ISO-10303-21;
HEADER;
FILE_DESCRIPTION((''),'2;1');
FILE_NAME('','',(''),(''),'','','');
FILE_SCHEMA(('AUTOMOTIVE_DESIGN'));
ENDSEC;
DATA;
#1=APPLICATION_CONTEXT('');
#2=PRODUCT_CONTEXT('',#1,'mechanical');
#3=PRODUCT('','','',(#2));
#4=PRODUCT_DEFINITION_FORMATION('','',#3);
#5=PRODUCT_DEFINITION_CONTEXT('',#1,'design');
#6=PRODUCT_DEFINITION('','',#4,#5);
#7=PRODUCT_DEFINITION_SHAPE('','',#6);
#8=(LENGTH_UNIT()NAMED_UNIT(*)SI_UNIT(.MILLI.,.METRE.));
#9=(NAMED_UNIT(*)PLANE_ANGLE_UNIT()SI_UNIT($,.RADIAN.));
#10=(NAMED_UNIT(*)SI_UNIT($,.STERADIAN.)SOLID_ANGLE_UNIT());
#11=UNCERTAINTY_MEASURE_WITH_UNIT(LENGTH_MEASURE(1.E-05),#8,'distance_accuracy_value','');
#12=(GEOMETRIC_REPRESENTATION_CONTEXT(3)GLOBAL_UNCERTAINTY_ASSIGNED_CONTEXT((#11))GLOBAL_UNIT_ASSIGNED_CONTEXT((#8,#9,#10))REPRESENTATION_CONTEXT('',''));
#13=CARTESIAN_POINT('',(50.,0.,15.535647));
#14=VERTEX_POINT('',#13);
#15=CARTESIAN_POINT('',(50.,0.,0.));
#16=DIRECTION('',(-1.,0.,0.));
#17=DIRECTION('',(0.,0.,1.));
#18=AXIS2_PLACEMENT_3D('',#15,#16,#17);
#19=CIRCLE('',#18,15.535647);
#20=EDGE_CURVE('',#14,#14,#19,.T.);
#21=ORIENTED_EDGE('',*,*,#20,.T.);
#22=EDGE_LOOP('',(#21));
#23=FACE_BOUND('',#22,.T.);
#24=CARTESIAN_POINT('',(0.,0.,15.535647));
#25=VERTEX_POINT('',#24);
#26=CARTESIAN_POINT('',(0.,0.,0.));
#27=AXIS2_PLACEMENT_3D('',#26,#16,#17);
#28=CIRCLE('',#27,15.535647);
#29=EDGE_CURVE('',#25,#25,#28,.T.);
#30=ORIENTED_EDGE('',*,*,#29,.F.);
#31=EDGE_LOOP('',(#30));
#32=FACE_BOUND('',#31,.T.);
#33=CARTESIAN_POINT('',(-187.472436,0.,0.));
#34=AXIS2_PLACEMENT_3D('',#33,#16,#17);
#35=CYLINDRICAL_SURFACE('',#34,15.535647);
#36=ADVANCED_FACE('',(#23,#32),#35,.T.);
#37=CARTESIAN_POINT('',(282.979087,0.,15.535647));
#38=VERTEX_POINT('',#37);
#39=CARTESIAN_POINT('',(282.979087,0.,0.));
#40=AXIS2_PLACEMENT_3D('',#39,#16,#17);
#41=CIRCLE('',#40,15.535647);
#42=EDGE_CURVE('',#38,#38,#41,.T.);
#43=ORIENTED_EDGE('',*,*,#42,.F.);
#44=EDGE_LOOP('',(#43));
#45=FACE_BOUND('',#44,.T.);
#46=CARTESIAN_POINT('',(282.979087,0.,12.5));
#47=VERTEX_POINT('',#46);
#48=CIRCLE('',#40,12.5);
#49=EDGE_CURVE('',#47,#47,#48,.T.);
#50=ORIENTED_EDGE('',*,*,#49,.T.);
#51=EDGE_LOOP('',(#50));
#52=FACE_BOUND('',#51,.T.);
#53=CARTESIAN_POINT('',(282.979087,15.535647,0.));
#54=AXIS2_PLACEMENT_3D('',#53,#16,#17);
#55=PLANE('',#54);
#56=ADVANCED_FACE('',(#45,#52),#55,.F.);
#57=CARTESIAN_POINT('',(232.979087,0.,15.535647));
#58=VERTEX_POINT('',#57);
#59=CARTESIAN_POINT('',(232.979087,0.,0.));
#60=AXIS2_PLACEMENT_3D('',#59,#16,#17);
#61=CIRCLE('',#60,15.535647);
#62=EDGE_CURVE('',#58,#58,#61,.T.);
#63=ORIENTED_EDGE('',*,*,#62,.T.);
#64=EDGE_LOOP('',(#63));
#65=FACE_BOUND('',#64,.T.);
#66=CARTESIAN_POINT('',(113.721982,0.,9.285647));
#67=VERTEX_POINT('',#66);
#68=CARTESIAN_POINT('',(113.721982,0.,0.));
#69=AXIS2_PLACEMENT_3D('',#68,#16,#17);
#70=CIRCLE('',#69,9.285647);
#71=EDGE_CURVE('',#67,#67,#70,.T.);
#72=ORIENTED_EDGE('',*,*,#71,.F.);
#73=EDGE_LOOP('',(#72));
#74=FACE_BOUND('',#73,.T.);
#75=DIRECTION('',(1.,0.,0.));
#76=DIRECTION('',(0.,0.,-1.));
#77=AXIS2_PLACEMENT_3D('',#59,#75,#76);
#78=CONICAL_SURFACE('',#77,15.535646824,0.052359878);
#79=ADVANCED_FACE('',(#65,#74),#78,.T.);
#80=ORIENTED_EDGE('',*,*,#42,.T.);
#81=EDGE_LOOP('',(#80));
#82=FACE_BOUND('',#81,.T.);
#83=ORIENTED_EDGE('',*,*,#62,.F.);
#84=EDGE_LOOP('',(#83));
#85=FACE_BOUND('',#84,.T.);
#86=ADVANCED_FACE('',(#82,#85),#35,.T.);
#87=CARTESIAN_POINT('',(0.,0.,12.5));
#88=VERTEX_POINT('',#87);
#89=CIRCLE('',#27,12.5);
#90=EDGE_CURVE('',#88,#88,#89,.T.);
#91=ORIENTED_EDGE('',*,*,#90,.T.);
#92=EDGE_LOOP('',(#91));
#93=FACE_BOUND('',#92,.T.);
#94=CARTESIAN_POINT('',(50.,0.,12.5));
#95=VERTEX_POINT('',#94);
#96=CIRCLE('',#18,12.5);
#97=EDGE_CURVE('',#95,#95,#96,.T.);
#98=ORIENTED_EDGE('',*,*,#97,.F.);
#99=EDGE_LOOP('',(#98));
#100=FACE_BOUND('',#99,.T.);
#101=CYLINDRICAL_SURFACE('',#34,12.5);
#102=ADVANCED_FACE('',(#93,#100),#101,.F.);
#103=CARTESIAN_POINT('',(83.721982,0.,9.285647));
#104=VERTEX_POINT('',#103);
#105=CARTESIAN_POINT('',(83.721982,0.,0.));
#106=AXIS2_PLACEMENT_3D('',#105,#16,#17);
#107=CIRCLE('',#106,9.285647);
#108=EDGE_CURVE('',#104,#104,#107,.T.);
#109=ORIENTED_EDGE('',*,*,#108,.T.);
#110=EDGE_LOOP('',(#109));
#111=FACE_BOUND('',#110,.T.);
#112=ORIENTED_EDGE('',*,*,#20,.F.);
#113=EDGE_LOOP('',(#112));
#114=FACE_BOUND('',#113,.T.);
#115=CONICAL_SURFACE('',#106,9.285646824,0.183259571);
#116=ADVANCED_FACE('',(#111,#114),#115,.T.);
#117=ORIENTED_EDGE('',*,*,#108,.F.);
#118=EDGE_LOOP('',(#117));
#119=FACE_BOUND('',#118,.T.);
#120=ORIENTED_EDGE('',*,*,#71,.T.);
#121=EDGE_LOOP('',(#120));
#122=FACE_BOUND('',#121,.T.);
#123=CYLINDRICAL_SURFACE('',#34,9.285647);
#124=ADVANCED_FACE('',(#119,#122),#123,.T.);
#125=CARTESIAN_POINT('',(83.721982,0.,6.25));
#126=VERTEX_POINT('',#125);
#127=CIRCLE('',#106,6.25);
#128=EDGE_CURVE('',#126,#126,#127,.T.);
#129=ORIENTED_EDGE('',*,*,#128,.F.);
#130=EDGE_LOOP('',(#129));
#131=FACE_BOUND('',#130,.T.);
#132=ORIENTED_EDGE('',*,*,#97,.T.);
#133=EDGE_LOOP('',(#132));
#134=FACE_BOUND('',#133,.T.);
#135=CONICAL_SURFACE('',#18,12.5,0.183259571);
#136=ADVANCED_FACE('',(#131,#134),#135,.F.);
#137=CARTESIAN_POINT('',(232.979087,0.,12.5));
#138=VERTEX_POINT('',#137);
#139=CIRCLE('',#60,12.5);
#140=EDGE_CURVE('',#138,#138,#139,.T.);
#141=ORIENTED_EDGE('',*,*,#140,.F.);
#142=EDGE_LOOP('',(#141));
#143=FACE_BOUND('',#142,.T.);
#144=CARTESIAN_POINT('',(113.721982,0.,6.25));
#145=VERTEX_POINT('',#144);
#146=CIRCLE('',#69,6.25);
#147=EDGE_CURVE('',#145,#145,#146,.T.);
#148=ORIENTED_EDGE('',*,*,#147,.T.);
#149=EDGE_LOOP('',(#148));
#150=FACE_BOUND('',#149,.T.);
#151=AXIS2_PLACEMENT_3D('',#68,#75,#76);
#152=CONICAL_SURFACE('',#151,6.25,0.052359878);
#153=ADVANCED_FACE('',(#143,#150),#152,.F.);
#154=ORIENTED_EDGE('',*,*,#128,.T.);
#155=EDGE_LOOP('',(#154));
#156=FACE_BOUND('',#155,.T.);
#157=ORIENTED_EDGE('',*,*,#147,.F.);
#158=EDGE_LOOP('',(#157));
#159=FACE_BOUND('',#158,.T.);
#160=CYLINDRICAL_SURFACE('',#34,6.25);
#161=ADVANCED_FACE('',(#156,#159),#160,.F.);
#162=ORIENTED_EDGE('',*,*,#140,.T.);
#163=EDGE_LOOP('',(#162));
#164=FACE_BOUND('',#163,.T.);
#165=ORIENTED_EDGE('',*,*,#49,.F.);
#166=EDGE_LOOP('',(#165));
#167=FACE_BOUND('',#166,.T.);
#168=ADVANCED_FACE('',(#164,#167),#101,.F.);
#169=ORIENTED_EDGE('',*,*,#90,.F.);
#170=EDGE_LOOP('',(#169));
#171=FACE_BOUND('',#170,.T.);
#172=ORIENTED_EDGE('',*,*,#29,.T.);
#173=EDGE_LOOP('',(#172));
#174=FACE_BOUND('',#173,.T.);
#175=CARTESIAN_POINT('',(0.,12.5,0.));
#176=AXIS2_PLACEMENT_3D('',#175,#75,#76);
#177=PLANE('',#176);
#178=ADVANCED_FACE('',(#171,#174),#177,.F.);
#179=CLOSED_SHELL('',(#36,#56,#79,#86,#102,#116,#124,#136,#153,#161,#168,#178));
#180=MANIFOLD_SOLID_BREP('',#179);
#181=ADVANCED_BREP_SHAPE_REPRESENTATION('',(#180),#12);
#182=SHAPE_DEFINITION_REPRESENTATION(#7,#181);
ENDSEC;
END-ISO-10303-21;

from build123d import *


with BuildPart() as part:
    # Sketch1 → Revolve1 (revolve)
    with BuildSketch(Plane.XY, mode=Mode.PRIVATE) as revolve1_sk:
        Polygon((0, 12.5), (50, 12.5), (83.721982339, 6.25), (113.721982339, 6.25), (232.979086638, 12.5), (282.979086638, 12.5), (282.979086638, 15.535646824), (232.979086638, 15.535646824), (113.721982339, 9.285646824), (83.721982339, 9.285646824), (50, 15.535646824), (0, 15.535646824), align=None)
    revolve(revolve1_sk.sketch.rotate(Axis((-187.472436386, 0, 0), (1, 0, 0)), 90), axis=Axis((-187.472436386, 0, 0), (1, 0, 0)))


solid = part.part
